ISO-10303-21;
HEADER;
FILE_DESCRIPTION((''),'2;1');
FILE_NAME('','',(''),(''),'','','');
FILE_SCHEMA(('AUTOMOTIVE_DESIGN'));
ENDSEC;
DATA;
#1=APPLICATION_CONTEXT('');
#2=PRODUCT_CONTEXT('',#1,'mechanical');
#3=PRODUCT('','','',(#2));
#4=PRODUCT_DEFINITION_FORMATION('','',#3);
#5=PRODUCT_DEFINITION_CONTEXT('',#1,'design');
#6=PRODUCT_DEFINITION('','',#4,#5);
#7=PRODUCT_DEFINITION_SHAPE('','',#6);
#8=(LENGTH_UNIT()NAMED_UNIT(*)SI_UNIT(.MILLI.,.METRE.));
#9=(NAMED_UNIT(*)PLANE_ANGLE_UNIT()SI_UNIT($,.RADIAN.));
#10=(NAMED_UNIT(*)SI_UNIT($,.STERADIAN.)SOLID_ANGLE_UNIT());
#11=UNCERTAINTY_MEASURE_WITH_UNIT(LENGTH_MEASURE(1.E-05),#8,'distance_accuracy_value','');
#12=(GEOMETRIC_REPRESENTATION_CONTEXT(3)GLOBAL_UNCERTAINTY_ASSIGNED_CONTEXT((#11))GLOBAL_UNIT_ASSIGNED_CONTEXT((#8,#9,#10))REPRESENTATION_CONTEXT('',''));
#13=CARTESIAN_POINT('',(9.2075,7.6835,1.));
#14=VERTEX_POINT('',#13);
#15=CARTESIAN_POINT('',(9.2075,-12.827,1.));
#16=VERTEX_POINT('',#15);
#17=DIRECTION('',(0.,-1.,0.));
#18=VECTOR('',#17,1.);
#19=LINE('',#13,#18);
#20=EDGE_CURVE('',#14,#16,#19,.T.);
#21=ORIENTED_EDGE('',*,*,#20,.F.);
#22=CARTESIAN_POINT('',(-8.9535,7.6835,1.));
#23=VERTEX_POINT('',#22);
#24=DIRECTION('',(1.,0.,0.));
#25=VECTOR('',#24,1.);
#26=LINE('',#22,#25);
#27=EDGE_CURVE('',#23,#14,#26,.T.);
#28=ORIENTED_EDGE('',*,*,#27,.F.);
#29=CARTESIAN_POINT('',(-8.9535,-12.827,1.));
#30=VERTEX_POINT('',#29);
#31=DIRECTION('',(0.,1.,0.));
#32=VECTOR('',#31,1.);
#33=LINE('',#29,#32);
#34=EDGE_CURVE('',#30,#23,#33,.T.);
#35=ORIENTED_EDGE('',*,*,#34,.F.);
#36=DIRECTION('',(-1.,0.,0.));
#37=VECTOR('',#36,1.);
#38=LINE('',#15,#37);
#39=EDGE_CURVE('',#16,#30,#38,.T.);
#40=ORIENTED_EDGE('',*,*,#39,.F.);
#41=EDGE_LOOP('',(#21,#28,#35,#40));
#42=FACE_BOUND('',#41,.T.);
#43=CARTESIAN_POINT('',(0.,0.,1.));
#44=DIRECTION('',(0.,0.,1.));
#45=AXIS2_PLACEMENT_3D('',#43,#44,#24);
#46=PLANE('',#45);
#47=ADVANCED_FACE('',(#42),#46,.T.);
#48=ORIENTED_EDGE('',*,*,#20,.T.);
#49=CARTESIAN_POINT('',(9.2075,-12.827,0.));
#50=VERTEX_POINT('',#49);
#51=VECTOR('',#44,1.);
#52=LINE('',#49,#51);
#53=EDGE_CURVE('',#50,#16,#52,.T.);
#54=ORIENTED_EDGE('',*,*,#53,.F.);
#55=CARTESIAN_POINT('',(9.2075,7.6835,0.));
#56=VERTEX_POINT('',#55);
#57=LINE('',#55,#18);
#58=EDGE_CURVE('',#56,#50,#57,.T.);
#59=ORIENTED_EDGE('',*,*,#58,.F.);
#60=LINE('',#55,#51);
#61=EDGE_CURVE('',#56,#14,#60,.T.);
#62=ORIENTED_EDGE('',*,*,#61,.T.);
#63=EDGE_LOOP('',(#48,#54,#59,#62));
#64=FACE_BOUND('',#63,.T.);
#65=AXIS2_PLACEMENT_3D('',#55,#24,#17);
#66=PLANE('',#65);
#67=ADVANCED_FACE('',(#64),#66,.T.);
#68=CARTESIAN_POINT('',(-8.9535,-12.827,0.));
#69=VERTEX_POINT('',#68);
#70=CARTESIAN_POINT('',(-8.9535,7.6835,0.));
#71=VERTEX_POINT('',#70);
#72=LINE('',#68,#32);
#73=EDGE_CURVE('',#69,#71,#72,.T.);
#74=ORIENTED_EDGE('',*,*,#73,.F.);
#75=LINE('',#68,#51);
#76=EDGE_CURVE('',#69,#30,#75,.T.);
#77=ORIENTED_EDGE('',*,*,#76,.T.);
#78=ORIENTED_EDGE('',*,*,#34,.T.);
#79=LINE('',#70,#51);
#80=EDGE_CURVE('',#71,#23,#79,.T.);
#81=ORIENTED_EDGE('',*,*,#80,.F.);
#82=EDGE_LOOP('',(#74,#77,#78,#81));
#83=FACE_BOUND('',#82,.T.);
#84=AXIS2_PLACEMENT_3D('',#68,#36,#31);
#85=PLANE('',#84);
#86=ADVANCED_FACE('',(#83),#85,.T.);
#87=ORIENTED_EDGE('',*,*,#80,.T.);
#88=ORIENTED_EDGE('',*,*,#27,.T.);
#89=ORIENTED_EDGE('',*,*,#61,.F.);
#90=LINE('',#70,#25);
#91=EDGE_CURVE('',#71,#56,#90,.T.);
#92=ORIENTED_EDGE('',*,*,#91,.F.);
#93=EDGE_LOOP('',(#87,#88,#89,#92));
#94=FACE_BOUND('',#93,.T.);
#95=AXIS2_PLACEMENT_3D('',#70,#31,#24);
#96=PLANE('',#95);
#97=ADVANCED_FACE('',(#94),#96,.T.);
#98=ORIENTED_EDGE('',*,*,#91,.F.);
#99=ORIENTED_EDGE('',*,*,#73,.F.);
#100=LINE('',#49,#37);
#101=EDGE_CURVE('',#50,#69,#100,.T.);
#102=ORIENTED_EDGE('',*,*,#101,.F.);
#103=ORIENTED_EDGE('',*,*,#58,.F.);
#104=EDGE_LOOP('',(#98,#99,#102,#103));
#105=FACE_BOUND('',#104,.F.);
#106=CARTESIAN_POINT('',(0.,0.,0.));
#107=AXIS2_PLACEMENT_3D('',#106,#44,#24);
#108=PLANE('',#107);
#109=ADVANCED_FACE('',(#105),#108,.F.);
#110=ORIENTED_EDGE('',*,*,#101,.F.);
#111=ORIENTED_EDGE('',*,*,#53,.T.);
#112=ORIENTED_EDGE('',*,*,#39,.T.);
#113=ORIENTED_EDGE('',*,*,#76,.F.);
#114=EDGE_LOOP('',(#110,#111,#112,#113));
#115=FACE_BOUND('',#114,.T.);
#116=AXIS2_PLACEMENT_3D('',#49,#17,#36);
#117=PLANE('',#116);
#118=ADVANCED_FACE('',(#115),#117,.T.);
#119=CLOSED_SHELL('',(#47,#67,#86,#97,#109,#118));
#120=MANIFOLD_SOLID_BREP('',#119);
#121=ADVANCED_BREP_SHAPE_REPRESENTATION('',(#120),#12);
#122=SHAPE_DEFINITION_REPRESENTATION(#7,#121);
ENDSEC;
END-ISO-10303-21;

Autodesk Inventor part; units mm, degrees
ref_plane "YZ Plane" through (0, 0, 0) normal (1, 0, 0) x (0, 1, 0)
ref_plane "XZ Plane" through (0, 0, 0) normal (0, 1, 0) x (-1, 0, 0)
ref_plane "XY Plane" through (0, 0, 0) normal (0, 0, 1) x (1, 0, 0)
sketch "TB6612FNG, TB6612FNG_17" plane through (0, 0, 0) normal (0, 0, 1) x (1, 0, 0)
  line L0 (-8.9535, 7.6835) -> (9.2075, 7.6835)
  line L1 (9.2075, 7.6835) -> (9.2075, -12.827)
  line L2 (9.2075, -12.827) -> (-8.9535, -12.827)
  line L3 (-8.9535, -12.827) -> (-8.9535, 7.6835)
extrude "Extrusion1" add sketch "TB6612FNG, TB6612FNG_17" along normal blind 1
properties part number "TB6612FNG"
